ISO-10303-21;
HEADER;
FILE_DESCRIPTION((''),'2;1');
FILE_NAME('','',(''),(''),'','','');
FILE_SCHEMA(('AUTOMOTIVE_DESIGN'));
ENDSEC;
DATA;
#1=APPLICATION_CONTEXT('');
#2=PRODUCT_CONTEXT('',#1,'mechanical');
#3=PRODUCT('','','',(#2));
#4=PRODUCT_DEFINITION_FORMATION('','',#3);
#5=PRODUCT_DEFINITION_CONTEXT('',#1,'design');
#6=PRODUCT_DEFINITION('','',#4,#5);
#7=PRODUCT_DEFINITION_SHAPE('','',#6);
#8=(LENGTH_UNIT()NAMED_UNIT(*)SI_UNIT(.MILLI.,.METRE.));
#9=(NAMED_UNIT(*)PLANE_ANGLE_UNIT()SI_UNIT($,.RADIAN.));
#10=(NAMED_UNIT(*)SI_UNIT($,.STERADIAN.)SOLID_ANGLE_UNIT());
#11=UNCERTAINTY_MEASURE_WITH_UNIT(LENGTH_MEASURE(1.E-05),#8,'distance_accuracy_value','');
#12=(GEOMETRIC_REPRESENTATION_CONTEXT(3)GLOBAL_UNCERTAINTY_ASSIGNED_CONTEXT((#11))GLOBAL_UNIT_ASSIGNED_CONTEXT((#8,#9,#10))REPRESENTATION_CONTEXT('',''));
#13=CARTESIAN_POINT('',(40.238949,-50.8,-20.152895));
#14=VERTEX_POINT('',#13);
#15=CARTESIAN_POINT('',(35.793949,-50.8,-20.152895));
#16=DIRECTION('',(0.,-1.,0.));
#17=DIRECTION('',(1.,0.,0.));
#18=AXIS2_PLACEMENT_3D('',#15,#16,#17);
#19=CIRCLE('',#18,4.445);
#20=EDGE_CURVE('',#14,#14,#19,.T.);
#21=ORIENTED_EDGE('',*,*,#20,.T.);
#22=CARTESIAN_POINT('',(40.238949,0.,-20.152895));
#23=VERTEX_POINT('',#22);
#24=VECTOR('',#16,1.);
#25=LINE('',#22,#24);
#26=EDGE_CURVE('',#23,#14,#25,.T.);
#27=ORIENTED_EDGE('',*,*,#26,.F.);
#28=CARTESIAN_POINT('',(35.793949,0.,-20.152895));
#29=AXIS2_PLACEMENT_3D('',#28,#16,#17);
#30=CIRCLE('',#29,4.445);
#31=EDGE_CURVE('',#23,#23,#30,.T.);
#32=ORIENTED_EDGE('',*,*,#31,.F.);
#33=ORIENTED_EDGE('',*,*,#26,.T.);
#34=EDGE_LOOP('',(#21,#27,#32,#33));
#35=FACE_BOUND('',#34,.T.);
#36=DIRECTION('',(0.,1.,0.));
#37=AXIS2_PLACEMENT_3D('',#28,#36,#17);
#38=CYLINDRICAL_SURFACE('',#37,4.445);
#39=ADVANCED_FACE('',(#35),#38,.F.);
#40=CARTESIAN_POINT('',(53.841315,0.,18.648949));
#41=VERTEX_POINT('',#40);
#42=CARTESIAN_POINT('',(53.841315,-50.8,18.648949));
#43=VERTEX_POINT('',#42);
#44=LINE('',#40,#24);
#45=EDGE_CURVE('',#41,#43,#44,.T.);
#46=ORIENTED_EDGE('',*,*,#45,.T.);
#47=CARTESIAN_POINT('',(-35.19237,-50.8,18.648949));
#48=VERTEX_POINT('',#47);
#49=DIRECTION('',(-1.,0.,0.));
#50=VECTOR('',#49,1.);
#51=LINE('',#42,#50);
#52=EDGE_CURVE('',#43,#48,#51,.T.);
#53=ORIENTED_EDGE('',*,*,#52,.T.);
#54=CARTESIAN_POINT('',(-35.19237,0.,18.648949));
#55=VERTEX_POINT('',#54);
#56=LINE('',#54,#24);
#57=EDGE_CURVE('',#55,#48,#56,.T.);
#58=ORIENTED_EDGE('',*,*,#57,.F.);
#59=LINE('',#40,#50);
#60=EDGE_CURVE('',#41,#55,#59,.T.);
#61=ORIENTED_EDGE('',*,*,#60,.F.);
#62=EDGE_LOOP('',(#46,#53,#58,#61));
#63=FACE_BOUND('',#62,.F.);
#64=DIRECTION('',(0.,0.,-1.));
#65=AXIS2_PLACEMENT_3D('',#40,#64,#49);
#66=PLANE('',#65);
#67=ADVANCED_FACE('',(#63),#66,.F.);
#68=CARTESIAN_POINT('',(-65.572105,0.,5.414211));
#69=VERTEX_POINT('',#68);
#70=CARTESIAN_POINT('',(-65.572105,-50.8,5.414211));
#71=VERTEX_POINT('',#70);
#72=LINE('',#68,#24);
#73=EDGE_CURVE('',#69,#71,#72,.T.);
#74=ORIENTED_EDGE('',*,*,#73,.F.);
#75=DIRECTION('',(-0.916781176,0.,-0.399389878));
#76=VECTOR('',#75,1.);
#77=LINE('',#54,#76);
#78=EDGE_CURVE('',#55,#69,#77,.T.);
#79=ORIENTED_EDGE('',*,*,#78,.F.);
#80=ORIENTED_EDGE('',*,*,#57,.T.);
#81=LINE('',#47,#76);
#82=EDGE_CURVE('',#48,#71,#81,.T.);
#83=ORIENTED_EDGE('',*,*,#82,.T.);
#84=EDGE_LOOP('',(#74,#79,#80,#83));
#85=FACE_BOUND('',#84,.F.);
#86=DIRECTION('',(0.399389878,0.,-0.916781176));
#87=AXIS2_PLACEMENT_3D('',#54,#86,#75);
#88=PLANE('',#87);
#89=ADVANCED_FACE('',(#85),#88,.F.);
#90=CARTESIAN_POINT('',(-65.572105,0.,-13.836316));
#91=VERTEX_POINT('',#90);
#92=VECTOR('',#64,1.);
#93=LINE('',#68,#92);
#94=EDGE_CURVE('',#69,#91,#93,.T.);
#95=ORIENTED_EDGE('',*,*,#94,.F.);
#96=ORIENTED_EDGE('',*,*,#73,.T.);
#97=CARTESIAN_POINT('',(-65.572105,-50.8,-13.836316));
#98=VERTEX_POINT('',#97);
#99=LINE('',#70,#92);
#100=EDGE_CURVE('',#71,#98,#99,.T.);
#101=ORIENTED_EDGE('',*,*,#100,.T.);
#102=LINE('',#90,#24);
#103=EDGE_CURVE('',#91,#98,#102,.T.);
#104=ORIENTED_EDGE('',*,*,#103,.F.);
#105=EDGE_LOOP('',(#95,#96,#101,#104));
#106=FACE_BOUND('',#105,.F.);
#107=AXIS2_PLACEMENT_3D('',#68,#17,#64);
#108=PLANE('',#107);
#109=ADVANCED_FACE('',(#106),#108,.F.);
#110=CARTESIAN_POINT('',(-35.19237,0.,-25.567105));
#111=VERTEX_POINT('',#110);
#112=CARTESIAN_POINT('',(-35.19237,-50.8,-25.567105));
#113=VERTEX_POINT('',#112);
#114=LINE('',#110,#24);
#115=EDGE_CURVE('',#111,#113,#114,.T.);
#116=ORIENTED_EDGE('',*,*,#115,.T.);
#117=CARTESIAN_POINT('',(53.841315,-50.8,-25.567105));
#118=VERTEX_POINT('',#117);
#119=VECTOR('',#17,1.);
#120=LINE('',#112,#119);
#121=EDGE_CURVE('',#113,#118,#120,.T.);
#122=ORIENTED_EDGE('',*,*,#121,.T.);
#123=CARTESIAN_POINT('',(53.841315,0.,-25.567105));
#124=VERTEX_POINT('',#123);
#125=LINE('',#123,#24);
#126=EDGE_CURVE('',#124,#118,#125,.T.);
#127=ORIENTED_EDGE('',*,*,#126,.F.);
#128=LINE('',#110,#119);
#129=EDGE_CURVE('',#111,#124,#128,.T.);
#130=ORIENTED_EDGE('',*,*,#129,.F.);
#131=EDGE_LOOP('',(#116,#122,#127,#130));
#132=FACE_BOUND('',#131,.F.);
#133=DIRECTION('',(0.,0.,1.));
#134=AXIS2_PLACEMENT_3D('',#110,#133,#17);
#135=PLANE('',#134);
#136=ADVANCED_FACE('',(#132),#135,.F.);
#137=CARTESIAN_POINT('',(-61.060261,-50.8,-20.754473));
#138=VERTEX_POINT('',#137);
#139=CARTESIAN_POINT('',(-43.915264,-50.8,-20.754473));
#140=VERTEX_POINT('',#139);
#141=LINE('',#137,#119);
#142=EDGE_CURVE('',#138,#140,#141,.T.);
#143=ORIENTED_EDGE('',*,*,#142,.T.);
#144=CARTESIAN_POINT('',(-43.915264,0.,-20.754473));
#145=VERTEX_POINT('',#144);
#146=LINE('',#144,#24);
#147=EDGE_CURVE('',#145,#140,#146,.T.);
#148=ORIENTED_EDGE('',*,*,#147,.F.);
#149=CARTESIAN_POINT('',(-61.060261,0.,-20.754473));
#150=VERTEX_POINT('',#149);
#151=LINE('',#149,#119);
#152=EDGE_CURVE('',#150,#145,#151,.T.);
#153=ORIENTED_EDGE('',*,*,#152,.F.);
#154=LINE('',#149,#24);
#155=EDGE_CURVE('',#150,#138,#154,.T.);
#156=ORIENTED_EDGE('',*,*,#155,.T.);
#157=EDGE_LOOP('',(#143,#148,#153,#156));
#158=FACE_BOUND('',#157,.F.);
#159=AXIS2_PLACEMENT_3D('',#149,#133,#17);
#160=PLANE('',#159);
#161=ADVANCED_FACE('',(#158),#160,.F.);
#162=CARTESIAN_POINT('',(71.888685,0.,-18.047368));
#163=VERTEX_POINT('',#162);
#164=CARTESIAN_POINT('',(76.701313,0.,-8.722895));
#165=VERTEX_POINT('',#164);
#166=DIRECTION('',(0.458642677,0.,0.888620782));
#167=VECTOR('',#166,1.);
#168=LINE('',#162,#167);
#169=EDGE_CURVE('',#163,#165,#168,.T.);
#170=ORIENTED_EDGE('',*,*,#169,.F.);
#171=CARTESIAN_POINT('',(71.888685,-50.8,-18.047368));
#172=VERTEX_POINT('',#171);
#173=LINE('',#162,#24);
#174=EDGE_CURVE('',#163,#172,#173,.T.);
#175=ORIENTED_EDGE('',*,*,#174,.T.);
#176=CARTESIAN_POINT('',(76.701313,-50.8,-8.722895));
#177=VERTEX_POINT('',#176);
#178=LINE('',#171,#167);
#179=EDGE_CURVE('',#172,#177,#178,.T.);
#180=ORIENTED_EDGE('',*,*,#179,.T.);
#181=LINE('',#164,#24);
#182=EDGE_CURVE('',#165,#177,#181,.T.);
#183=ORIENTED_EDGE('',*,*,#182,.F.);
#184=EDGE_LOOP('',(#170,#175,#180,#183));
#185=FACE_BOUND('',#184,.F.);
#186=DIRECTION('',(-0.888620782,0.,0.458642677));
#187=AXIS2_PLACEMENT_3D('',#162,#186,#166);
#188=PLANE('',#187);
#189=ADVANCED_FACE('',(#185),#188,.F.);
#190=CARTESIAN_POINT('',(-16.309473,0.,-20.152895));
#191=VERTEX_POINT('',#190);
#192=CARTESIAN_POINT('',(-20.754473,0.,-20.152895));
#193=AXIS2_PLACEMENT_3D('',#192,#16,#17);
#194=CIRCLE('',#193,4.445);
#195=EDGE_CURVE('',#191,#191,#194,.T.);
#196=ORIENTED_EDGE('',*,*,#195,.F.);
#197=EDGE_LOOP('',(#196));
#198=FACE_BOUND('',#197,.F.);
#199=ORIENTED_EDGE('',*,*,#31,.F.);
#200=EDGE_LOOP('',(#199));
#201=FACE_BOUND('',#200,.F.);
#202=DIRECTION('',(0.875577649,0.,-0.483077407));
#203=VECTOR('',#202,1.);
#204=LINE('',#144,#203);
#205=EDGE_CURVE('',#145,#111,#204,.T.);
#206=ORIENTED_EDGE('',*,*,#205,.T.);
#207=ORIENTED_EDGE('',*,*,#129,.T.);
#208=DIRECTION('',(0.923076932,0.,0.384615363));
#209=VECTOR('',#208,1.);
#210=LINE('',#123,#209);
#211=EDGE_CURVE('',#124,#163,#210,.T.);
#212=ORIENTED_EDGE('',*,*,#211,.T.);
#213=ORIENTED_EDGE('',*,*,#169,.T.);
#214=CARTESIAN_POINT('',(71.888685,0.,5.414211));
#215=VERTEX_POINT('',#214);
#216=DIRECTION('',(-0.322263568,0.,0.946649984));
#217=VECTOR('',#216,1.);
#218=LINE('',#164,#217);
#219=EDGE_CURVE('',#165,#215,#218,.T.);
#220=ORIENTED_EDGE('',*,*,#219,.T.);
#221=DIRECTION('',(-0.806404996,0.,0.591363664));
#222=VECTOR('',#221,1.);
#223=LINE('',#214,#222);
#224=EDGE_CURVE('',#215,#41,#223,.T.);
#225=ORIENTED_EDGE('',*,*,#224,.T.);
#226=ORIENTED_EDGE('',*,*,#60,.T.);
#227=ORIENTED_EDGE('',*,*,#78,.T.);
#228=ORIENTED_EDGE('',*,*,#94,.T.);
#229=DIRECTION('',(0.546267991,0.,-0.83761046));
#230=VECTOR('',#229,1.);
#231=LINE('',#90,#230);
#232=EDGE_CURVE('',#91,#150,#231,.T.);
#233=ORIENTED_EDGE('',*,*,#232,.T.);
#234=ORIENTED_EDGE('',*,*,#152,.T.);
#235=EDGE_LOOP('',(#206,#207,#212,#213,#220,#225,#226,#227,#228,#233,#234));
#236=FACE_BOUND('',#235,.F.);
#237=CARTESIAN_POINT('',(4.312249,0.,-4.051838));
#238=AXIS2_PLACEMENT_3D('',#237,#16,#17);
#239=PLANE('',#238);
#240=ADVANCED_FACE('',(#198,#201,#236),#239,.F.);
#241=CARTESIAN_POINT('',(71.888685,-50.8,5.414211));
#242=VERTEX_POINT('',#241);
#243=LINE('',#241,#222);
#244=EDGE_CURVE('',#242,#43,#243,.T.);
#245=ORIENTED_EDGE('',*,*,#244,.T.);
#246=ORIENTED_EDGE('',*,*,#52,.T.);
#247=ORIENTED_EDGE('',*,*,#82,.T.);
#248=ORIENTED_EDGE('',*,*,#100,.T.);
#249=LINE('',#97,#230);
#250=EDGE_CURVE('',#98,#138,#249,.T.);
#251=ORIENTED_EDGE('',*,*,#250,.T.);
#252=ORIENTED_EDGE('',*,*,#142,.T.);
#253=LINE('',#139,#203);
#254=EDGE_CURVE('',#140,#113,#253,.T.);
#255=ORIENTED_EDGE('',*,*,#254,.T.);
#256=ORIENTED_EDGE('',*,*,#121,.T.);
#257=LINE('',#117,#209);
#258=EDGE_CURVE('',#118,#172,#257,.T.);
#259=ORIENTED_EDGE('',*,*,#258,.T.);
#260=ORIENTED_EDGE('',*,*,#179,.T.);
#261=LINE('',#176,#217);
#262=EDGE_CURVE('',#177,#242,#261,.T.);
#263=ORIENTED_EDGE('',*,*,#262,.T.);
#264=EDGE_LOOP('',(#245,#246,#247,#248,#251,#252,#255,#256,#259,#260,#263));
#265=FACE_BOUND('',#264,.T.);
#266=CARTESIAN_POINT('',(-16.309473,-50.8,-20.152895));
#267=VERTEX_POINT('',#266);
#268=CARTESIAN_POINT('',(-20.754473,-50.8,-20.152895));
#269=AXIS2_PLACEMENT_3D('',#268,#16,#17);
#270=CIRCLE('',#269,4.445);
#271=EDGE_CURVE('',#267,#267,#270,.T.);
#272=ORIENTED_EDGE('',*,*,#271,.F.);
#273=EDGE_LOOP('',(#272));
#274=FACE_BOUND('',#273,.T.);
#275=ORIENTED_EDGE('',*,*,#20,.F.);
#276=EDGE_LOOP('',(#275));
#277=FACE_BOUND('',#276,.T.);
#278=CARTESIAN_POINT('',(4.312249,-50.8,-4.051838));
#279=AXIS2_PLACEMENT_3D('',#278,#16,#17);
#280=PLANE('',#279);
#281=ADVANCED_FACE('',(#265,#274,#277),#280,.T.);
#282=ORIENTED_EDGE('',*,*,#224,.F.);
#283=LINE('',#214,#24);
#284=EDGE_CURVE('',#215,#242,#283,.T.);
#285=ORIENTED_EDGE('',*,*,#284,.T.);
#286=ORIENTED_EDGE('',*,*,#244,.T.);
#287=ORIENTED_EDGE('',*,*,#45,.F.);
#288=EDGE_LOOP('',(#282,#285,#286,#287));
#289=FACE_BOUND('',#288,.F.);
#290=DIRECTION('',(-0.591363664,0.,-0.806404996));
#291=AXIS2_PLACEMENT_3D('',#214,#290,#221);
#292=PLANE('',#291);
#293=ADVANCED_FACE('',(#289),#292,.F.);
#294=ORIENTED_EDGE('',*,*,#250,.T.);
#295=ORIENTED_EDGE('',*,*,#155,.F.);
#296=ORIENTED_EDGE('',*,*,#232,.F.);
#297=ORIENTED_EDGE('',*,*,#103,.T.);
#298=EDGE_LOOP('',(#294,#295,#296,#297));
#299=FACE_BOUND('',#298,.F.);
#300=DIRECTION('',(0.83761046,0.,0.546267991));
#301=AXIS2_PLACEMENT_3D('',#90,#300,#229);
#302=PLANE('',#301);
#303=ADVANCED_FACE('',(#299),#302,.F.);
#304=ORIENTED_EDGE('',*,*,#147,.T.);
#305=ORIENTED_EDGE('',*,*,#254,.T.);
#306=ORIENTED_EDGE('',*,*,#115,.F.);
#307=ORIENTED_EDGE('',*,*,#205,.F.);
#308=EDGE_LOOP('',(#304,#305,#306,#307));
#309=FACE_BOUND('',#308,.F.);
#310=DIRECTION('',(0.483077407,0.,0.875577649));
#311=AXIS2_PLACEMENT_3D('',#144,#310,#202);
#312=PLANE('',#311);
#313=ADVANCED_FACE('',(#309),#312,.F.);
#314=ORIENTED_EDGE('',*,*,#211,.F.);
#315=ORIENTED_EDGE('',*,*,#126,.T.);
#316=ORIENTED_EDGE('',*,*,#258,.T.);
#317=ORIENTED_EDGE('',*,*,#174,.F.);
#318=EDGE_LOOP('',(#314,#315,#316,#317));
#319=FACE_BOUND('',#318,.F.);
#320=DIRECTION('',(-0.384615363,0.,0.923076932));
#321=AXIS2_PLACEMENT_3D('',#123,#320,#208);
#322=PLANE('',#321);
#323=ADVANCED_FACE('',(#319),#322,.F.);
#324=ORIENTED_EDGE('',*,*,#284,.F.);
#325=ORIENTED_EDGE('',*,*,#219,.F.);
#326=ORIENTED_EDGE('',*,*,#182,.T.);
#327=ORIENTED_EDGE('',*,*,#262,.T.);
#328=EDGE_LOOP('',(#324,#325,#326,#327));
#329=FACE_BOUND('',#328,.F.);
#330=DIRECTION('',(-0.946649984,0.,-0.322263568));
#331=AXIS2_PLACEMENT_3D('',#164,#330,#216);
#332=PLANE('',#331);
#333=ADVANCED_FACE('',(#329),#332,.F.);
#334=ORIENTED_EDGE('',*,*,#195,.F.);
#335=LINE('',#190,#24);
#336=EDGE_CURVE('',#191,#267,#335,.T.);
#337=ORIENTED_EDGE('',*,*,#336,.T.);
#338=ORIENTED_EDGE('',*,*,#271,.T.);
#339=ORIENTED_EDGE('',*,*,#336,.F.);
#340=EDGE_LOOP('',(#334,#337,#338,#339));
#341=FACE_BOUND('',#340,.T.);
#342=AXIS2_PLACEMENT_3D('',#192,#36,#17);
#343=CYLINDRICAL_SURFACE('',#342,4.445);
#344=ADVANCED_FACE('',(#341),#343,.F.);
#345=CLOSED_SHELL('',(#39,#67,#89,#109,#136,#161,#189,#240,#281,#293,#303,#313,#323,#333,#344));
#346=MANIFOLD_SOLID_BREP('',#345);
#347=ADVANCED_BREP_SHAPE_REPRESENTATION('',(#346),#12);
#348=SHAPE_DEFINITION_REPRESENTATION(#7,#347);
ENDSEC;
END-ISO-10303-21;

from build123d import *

# Parameters (mm, degrees)
F0_R     = 4.445
F1_DEPTH = 50.8


with BuildPart() as f1:
    # F0 (on Front) → F1 (new body)
    with BuildSketch(Plane.XZ):
        Polygon((53.841315, 18.648949), (-35.19237, 18.648949), (-65.572105, 5.414211), (-65.572105, -13.836316), (-61.060261, -20.754473), (-43.915264, -20.754473), (-35.19237, -25.567105), (53.841315, -25.567105), (71.888685, -18.047368), (76.701313, -8.722895), (71.888685, 5.414211), align=None)
        with Locations((-20.754473, -20.152895)):
            Circle(F0_R, mode=Mode.SUBTRACT)
        with Locations((35.793949, -20.152895)):
            Circle(F0_R, mode=Mode.SUBTRACT)
    extrude(amount=F1_DEPTH)


solid = f1.part
